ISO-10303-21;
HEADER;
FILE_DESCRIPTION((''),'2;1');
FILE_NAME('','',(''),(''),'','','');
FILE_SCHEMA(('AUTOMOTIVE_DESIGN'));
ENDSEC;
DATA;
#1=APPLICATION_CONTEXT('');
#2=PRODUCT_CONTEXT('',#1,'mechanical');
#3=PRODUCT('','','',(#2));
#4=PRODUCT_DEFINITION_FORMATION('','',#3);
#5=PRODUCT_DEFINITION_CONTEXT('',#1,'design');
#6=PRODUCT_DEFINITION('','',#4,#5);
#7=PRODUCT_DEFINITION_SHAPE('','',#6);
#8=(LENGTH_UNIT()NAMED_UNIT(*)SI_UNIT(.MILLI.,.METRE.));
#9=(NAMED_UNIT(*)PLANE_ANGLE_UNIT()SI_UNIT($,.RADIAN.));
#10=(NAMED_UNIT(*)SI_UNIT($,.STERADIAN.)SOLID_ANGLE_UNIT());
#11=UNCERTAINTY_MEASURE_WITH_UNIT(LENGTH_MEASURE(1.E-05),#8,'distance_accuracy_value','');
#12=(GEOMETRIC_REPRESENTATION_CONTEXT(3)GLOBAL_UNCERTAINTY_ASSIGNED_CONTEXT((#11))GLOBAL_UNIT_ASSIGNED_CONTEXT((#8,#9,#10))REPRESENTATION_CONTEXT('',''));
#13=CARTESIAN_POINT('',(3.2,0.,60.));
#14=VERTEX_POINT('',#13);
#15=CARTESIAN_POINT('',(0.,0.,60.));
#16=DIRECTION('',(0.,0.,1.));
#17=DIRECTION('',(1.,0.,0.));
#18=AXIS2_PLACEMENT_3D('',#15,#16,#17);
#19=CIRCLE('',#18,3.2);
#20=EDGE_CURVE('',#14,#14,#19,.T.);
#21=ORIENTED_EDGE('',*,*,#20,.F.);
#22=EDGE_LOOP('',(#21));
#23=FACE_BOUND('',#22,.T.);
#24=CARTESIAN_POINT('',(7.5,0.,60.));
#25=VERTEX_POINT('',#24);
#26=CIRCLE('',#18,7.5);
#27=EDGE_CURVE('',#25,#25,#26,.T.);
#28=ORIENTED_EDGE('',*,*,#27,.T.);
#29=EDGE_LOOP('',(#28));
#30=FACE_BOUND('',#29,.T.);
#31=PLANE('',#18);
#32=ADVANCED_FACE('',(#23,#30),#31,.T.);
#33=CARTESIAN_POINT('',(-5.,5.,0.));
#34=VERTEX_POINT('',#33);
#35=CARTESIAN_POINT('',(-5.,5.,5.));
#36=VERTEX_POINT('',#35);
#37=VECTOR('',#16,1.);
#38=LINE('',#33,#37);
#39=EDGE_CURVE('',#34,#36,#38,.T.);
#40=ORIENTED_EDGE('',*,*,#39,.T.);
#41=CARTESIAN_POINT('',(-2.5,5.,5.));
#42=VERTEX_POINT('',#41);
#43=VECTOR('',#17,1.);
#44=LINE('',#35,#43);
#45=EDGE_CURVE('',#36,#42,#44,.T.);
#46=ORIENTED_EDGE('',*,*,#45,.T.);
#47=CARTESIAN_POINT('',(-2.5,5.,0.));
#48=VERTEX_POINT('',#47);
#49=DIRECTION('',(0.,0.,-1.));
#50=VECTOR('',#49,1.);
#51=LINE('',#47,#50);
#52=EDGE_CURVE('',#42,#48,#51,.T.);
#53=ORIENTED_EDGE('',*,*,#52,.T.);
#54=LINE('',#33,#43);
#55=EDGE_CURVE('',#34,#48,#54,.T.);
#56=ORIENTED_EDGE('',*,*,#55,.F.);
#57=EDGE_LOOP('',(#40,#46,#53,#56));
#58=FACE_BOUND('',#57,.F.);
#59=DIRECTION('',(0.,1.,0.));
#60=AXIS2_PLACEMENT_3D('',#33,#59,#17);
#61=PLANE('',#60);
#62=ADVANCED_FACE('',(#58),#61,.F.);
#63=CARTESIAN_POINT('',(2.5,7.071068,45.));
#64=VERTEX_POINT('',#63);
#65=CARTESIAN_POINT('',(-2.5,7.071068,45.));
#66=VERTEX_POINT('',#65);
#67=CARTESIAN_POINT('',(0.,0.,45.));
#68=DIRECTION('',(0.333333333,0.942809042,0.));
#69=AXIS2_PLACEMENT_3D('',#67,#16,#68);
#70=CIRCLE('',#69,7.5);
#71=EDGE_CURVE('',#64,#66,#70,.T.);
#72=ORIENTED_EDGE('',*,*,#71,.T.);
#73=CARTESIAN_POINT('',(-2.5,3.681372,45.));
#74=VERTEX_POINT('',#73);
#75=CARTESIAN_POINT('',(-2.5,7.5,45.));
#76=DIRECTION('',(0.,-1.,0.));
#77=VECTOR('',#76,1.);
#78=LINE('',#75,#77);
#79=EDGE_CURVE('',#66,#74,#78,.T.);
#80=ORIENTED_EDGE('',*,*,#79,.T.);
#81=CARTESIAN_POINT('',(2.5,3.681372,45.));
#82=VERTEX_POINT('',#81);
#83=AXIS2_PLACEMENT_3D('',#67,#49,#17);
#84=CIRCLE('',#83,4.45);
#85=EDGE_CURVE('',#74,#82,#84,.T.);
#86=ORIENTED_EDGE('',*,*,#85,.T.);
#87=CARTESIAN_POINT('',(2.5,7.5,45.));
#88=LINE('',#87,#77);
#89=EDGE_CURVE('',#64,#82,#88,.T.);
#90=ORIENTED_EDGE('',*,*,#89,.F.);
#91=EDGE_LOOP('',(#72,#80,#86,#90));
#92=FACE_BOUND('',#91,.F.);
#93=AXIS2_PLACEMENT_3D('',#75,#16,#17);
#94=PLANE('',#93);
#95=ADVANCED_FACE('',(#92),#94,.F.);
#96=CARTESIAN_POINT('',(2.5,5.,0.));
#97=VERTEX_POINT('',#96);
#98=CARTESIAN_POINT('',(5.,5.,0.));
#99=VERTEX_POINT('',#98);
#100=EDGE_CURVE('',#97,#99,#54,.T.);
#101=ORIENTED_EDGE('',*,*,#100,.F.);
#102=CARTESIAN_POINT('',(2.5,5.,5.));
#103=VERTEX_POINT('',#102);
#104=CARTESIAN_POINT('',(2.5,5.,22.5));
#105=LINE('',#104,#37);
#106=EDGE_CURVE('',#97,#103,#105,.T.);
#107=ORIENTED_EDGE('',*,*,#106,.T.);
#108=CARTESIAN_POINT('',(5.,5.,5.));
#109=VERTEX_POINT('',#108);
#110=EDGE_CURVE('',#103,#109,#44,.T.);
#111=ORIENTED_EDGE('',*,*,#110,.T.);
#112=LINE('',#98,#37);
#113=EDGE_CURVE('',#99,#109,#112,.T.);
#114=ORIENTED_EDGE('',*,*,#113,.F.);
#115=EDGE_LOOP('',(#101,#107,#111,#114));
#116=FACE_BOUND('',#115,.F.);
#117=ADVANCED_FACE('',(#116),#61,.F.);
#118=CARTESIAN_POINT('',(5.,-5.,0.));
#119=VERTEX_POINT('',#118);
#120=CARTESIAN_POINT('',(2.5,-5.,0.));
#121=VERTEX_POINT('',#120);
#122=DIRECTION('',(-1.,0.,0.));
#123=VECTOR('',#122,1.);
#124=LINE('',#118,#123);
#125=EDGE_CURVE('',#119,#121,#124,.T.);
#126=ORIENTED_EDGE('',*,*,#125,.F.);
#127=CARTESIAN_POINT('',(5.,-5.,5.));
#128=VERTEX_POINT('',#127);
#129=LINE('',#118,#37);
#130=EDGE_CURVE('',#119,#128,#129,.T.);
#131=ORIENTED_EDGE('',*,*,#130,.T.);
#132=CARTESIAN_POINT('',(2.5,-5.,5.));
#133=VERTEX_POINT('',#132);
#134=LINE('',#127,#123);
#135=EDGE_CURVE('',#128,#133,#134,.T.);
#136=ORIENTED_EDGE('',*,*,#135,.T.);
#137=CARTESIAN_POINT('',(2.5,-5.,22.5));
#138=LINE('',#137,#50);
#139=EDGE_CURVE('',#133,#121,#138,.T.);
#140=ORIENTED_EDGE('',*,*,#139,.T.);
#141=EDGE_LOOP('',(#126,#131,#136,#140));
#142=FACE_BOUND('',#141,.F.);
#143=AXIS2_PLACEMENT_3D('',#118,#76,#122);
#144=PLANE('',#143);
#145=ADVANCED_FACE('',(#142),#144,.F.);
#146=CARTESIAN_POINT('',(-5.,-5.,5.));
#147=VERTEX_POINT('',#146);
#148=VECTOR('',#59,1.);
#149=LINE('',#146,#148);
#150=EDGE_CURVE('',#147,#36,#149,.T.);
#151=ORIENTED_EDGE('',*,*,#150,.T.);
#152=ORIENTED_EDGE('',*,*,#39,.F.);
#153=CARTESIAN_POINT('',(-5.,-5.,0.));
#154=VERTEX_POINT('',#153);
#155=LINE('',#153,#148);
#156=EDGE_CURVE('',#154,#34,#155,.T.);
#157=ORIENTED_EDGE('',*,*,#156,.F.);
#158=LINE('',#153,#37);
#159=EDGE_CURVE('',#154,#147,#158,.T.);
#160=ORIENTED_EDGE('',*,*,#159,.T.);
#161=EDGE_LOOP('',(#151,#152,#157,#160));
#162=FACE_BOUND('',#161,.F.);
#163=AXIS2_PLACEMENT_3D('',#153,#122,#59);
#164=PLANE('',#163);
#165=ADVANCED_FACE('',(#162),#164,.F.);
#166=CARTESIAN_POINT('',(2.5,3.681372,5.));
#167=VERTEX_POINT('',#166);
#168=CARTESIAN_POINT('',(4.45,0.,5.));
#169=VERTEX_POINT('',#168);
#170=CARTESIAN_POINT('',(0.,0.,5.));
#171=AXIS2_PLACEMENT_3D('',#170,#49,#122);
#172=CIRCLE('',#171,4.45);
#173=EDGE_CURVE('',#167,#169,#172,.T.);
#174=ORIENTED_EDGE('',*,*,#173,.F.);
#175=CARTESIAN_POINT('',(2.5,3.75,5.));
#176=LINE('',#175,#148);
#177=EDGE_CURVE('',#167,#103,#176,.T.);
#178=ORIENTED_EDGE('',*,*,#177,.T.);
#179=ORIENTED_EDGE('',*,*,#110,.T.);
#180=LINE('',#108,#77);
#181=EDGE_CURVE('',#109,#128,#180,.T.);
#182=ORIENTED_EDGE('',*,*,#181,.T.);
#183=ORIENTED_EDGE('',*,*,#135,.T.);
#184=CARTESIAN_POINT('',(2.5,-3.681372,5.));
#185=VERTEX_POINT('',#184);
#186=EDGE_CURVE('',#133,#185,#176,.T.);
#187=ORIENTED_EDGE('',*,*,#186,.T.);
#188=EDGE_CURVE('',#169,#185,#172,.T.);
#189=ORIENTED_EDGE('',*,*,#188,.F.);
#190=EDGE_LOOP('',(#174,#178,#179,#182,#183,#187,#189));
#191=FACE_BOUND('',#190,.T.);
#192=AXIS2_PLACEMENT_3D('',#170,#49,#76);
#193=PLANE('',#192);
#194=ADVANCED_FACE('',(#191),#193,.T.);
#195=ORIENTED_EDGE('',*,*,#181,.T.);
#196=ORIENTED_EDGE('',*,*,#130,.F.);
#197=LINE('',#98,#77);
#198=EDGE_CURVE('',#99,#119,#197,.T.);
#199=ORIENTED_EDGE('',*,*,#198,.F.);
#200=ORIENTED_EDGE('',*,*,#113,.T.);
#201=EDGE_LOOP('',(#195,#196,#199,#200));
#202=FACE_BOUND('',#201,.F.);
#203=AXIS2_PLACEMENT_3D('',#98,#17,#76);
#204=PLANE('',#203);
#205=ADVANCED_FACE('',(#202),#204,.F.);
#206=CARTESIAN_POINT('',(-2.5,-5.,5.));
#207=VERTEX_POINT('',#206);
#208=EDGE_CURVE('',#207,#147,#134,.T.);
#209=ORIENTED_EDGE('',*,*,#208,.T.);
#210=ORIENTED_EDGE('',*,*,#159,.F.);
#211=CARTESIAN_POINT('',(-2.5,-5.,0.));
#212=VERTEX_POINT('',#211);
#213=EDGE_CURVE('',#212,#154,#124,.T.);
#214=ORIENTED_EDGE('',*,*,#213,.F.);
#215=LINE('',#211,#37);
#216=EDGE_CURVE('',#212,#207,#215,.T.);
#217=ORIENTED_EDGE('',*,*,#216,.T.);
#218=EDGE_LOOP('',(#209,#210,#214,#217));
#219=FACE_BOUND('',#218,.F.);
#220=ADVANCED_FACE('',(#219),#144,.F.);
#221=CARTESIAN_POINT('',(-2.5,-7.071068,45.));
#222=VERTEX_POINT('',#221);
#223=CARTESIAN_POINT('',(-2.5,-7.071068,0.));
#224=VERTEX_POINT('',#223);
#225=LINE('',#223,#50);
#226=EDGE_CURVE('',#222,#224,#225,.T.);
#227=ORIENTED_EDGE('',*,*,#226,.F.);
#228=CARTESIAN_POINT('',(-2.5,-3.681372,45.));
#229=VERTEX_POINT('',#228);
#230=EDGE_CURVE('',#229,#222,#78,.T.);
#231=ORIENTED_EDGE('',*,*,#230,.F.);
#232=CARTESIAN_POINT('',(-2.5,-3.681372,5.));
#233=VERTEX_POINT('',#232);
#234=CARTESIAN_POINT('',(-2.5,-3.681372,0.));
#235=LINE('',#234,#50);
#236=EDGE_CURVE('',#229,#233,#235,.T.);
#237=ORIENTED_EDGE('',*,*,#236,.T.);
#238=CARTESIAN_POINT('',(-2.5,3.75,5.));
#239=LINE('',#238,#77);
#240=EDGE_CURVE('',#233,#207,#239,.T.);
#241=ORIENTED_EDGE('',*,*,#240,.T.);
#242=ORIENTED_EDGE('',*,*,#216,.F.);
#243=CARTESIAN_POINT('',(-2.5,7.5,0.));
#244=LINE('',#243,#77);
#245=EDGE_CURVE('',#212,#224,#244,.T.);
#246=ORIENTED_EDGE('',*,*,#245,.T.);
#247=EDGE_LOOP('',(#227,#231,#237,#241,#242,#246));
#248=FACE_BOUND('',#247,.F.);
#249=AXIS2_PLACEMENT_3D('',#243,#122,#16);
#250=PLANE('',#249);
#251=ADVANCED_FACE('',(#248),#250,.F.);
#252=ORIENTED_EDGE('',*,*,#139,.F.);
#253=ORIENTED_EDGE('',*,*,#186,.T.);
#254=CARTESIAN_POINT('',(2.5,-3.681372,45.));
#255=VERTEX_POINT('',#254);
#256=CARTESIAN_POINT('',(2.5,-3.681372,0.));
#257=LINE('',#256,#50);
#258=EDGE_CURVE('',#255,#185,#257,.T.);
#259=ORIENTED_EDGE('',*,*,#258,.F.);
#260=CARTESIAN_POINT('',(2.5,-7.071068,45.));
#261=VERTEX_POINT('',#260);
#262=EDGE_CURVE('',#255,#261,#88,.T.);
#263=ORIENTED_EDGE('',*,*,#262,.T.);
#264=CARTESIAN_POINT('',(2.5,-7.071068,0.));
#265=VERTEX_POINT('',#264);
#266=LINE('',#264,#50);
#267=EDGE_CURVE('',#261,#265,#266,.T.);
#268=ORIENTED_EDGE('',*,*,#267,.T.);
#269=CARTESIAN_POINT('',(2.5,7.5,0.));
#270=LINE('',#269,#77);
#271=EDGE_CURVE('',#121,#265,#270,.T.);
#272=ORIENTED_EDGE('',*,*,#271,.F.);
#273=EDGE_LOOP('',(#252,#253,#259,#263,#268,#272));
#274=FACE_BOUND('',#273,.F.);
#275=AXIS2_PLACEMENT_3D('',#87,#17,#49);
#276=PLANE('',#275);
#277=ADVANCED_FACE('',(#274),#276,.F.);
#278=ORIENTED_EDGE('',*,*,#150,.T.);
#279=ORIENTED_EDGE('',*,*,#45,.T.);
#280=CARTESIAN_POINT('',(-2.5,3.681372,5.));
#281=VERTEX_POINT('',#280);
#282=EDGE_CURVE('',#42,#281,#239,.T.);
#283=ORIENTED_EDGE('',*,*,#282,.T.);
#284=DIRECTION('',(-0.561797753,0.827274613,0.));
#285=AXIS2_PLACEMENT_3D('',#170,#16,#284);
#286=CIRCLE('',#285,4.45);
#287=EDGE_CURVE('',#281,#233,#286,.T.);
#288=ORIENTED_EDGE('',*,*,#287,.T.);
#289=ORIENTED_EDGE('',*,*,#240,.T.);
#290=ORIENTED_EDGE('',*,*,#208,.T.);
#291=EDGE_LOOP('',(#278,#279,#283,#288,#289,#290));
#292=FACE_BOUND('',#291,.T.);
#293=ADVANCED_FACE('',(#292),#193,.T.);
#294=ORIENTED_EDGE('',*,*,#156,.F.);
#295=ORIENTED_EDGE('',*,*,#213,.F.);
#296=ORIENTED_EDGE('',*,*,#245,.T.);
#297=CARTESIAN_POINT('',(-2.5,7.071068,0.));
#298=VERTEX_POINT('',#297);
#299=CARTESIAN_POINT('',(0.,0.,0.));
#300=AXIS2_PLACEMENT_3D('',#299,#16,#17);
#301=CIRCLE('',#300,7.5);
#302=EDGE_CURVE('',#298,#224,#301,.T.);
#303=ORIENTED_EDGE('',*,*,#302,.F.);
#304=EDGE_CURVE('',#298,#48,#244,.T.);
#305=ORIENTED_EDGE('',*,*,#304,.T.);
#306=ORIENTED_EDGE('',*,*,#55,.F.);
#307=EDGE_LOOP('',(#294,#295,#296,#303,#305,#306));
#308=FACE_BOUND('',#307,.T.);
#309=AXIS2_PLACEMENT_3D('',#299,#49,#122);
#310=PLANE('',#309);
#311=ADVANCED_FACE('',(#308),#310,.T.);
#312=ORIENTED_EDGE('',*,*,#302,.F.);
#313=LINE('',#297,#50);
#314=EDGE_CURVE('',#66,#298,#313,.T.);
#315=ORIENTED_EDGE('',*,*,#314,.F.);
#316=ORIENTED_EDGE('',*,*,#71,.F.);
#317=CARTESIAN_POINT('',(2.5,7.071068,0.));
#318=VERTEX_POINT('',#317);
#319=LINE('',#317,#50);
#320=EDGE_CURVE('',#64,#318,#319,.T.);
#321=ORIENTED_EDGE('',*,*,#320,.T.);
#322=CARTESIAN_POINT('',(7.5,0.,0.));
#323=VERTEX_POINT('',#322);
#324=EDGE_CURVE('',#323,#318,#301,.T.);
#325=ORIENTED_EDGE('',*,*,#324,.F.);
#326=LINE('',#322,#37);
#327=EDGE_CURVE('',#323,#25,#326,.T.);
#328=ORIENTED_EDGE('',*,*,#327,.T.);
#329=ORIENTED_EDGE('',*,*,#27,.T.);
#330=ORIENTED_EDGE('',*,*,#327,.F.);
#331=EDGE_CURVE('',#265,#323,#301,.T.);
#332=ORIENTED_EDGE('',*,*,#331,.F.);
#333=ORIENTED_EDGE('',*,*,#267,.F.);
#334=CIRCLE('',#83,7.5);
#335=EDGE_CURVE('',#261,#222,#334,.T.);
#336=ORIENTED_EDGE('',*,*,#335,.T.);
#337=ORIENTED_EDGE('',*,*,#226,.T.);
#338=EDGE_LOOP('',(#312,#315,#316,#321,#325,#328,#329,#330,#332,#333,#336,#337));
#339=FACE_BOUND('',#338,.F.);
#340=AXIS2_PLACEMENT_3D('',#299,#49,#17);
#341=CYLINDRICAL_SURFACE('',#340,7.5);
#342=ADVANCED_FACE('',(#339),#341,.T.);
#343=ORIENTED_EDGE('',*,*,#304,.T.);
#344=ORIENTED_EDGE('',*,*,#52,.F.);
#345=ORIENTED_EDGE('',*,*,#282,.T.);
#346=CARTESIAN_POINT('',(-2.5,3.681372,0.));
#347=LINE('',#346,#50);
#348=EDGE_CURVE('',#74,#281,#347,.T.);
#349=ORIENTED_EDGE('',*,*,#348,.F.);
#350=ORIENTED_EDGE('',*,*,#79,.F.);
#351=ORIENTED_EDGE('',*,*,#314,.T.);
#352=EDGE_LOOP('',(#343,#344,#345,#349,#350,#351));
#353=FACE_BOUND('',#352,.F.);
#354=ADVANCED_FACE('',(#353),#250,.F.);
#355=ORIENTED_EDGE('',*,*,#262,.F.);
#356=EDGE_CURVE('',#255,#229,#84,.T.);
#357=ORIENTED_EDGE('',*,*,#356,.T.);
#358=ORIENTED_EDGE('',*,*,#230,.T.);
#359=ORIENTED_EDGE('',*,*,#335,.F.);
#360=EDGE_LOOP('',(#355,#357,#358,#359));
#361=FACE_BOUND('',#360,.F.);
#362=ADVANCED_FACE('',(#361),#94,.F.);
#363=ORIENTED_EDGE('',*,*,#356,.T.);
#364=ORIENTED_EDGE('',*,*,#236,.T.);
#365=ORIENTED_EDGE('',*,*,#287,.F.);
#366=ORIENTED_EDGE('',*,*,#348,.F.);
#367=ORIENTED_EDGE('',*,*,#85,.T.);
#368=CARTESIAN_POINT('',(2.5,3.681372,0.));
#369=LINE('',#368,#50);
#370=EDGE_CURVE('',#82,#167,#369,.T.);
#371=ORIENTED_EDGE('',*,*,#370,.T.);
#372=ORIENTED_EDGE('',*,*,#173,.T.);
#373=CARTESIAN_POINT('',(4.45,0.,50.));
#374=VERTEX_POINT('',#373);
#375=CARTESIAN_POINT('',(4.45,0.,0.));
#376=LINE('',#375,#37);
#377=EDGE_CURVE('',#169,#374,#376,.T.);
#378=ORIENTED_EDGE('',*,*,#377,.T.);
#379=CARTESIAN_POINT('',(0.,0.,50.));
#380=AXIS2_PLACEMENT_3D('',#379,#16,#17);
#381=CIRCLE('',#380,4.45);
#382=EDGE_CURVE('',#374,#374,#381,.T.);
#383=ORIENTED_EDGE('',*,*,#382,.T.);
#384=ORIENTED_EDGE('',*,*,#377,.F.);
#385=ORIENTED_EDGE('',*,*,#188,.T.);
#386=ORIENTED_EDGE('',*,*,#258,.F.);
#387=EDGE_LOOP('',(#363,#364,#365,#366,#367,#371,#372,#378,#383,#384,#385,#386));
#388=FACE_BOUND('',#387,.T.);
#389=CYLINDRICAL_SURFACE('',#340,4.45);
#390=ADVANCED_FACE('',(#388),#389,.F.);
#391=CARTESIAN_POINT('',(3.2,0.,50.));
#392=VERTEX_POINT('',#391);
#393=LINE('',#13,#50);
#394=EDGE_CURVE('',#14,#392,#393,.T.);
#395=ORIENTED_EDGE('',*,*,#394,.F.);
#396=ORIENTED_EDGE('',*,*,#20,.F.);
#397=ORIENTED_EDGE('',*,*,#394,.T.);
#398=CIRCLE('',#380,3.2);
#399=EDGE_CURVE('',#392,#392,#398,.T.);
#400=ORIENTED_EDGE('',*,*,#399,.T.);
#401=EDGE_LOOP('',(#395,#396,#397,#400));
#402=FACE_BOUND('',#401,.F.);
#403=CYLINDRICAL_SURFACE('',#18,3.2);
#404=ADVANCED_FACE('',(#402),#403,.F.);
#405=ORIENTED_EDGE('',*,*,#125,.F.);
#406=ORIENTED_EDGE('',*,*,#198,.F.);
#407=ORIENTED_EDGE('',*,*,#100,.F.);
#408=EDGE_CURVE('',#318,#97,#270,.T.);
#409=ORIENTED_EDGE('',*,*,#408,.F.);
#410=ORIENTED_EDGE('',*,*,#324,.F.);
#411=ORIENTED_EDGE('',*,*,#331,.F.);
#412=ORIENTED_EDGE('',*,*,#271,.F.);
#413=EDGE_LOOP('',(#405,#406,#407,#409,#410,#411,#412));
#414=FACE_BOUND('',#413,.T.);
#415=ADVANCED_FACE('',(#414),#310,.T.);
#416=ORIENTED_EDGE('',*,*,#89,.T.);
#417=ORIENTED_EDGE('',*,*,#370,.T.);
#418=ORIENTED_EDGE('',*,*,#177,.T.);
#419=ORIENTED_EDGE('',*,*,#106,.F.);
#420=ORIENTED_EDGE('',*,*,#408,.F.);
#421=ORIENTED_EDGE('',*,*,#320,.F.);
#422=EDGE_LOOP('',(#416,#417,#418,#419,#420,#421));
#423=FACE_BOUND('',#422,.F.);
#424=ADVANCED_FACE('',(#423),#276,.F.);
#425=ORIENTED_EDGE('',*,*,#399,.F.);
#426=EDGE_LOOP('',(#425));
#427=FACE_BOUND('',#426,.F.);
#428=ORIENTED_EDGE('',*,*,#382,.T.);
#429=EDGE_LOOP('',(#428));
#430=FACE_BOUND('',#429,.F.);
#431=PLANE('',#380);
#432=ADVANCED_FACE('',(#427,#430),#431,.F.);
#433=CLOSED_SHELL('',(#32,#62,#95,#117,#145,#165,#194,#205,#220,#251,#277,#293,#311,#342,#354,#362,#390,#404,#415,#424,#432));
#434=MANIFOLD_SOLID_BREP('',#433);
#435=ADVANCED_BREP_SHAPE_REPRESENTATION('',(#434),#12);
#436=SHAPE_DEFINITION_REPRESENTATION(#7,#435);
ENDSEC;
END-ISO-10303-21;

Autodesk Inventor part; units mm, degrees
ref_plane "YZ Plane" through (0, 0, 0) normal (1, 0, 0) x (0, 1, 0)
ref_plane "XY Plane" through (0, 0, 0) normal (0, 0, 1) x (1, 0, 0)
sketch "Sketch1" plane through (0, 0, 0) normal (0, 0, 1) x (1, 0, 0)
  circle A0 centre (0, 0) radius 4.45
  circle A1 centre (0, 0) radius 7.5
  dimension "d0" = 8.9
  dimension "d1" = 15
extrude "Extrusion1" add sketch "Sketch1" along normal blind 60
ref_plane "Work Plane1" through (0, 7.5, 0) normal (0, 1, 0) x (-1, 0, 0)
sketch "Sketch2" plane through (0, 7.5, 0) normal (0, 1, 0) x (-1, 0, 0)
  line L0 (2.5, 45) -> (-2.5, 45)
  line L1 (-2.5, 45) -> (-2.5, 0)
  line L2 (-2.5, 0) -> (2.5, 0)
  line L3 (2.5, 0) -> (2.5, 45)
  line L4 (7.5, 60) -> (-7.5, 60) projected
  line L5 (-7.5, 0) -> (7.5, 0) projected
  point P0 (0, 0)
  dimension "d4" = 45
  dimension "d6" = 5
  dimension "d7" = 2.5
  dimension "d22" = 0
extrude "Extrusion2" cut sketch "Sketch2" against normal through all
sketch "Sketch3" plane through (0, 0, 60) normal (0, 0, 1) x (1, 0, 0)
  circle A0 centre (0, 0) radius 3.2
  circle A1 centre (0, 0) radius 4.45
  dimension "d10" = 6.4
extrude "Extrusion3" add sketch "Sketch3" against normal blind 10
sketch "Sketch4" plane through (0, 0, 0) normal (0, 0, -1) x (-1, 0, 0)
  circle A0 centre (0, 0) radius 4.45
extrude "Extrusion4" add sketch "Sketch4" against normal blind 5
sketch "Sketch5" plane through (0, 0, 0) normal (0, 0, -1) x (0, -1, 0)
  line L0 (-5, -5) -> (5, -5)
  line L1 (5, -5) -> (5, 5)
  line L2 (5, 5) -> (-5, 5)
  line L3 (-5, 5) -> (-5, -5)
  point P0 (0, 0)
  dimension "d16" = 10
  dimension "d17" = 5
  dimension "d18" = 10
  dimension "d19" = 5
extrude "Extrusion5" cut sketch "Sketch5" against normal blind 5
equation "\"d17\" = 0.5 * d16"
equation "\"d19\" = 0.5 * d18"
properties part number "Rotation"
